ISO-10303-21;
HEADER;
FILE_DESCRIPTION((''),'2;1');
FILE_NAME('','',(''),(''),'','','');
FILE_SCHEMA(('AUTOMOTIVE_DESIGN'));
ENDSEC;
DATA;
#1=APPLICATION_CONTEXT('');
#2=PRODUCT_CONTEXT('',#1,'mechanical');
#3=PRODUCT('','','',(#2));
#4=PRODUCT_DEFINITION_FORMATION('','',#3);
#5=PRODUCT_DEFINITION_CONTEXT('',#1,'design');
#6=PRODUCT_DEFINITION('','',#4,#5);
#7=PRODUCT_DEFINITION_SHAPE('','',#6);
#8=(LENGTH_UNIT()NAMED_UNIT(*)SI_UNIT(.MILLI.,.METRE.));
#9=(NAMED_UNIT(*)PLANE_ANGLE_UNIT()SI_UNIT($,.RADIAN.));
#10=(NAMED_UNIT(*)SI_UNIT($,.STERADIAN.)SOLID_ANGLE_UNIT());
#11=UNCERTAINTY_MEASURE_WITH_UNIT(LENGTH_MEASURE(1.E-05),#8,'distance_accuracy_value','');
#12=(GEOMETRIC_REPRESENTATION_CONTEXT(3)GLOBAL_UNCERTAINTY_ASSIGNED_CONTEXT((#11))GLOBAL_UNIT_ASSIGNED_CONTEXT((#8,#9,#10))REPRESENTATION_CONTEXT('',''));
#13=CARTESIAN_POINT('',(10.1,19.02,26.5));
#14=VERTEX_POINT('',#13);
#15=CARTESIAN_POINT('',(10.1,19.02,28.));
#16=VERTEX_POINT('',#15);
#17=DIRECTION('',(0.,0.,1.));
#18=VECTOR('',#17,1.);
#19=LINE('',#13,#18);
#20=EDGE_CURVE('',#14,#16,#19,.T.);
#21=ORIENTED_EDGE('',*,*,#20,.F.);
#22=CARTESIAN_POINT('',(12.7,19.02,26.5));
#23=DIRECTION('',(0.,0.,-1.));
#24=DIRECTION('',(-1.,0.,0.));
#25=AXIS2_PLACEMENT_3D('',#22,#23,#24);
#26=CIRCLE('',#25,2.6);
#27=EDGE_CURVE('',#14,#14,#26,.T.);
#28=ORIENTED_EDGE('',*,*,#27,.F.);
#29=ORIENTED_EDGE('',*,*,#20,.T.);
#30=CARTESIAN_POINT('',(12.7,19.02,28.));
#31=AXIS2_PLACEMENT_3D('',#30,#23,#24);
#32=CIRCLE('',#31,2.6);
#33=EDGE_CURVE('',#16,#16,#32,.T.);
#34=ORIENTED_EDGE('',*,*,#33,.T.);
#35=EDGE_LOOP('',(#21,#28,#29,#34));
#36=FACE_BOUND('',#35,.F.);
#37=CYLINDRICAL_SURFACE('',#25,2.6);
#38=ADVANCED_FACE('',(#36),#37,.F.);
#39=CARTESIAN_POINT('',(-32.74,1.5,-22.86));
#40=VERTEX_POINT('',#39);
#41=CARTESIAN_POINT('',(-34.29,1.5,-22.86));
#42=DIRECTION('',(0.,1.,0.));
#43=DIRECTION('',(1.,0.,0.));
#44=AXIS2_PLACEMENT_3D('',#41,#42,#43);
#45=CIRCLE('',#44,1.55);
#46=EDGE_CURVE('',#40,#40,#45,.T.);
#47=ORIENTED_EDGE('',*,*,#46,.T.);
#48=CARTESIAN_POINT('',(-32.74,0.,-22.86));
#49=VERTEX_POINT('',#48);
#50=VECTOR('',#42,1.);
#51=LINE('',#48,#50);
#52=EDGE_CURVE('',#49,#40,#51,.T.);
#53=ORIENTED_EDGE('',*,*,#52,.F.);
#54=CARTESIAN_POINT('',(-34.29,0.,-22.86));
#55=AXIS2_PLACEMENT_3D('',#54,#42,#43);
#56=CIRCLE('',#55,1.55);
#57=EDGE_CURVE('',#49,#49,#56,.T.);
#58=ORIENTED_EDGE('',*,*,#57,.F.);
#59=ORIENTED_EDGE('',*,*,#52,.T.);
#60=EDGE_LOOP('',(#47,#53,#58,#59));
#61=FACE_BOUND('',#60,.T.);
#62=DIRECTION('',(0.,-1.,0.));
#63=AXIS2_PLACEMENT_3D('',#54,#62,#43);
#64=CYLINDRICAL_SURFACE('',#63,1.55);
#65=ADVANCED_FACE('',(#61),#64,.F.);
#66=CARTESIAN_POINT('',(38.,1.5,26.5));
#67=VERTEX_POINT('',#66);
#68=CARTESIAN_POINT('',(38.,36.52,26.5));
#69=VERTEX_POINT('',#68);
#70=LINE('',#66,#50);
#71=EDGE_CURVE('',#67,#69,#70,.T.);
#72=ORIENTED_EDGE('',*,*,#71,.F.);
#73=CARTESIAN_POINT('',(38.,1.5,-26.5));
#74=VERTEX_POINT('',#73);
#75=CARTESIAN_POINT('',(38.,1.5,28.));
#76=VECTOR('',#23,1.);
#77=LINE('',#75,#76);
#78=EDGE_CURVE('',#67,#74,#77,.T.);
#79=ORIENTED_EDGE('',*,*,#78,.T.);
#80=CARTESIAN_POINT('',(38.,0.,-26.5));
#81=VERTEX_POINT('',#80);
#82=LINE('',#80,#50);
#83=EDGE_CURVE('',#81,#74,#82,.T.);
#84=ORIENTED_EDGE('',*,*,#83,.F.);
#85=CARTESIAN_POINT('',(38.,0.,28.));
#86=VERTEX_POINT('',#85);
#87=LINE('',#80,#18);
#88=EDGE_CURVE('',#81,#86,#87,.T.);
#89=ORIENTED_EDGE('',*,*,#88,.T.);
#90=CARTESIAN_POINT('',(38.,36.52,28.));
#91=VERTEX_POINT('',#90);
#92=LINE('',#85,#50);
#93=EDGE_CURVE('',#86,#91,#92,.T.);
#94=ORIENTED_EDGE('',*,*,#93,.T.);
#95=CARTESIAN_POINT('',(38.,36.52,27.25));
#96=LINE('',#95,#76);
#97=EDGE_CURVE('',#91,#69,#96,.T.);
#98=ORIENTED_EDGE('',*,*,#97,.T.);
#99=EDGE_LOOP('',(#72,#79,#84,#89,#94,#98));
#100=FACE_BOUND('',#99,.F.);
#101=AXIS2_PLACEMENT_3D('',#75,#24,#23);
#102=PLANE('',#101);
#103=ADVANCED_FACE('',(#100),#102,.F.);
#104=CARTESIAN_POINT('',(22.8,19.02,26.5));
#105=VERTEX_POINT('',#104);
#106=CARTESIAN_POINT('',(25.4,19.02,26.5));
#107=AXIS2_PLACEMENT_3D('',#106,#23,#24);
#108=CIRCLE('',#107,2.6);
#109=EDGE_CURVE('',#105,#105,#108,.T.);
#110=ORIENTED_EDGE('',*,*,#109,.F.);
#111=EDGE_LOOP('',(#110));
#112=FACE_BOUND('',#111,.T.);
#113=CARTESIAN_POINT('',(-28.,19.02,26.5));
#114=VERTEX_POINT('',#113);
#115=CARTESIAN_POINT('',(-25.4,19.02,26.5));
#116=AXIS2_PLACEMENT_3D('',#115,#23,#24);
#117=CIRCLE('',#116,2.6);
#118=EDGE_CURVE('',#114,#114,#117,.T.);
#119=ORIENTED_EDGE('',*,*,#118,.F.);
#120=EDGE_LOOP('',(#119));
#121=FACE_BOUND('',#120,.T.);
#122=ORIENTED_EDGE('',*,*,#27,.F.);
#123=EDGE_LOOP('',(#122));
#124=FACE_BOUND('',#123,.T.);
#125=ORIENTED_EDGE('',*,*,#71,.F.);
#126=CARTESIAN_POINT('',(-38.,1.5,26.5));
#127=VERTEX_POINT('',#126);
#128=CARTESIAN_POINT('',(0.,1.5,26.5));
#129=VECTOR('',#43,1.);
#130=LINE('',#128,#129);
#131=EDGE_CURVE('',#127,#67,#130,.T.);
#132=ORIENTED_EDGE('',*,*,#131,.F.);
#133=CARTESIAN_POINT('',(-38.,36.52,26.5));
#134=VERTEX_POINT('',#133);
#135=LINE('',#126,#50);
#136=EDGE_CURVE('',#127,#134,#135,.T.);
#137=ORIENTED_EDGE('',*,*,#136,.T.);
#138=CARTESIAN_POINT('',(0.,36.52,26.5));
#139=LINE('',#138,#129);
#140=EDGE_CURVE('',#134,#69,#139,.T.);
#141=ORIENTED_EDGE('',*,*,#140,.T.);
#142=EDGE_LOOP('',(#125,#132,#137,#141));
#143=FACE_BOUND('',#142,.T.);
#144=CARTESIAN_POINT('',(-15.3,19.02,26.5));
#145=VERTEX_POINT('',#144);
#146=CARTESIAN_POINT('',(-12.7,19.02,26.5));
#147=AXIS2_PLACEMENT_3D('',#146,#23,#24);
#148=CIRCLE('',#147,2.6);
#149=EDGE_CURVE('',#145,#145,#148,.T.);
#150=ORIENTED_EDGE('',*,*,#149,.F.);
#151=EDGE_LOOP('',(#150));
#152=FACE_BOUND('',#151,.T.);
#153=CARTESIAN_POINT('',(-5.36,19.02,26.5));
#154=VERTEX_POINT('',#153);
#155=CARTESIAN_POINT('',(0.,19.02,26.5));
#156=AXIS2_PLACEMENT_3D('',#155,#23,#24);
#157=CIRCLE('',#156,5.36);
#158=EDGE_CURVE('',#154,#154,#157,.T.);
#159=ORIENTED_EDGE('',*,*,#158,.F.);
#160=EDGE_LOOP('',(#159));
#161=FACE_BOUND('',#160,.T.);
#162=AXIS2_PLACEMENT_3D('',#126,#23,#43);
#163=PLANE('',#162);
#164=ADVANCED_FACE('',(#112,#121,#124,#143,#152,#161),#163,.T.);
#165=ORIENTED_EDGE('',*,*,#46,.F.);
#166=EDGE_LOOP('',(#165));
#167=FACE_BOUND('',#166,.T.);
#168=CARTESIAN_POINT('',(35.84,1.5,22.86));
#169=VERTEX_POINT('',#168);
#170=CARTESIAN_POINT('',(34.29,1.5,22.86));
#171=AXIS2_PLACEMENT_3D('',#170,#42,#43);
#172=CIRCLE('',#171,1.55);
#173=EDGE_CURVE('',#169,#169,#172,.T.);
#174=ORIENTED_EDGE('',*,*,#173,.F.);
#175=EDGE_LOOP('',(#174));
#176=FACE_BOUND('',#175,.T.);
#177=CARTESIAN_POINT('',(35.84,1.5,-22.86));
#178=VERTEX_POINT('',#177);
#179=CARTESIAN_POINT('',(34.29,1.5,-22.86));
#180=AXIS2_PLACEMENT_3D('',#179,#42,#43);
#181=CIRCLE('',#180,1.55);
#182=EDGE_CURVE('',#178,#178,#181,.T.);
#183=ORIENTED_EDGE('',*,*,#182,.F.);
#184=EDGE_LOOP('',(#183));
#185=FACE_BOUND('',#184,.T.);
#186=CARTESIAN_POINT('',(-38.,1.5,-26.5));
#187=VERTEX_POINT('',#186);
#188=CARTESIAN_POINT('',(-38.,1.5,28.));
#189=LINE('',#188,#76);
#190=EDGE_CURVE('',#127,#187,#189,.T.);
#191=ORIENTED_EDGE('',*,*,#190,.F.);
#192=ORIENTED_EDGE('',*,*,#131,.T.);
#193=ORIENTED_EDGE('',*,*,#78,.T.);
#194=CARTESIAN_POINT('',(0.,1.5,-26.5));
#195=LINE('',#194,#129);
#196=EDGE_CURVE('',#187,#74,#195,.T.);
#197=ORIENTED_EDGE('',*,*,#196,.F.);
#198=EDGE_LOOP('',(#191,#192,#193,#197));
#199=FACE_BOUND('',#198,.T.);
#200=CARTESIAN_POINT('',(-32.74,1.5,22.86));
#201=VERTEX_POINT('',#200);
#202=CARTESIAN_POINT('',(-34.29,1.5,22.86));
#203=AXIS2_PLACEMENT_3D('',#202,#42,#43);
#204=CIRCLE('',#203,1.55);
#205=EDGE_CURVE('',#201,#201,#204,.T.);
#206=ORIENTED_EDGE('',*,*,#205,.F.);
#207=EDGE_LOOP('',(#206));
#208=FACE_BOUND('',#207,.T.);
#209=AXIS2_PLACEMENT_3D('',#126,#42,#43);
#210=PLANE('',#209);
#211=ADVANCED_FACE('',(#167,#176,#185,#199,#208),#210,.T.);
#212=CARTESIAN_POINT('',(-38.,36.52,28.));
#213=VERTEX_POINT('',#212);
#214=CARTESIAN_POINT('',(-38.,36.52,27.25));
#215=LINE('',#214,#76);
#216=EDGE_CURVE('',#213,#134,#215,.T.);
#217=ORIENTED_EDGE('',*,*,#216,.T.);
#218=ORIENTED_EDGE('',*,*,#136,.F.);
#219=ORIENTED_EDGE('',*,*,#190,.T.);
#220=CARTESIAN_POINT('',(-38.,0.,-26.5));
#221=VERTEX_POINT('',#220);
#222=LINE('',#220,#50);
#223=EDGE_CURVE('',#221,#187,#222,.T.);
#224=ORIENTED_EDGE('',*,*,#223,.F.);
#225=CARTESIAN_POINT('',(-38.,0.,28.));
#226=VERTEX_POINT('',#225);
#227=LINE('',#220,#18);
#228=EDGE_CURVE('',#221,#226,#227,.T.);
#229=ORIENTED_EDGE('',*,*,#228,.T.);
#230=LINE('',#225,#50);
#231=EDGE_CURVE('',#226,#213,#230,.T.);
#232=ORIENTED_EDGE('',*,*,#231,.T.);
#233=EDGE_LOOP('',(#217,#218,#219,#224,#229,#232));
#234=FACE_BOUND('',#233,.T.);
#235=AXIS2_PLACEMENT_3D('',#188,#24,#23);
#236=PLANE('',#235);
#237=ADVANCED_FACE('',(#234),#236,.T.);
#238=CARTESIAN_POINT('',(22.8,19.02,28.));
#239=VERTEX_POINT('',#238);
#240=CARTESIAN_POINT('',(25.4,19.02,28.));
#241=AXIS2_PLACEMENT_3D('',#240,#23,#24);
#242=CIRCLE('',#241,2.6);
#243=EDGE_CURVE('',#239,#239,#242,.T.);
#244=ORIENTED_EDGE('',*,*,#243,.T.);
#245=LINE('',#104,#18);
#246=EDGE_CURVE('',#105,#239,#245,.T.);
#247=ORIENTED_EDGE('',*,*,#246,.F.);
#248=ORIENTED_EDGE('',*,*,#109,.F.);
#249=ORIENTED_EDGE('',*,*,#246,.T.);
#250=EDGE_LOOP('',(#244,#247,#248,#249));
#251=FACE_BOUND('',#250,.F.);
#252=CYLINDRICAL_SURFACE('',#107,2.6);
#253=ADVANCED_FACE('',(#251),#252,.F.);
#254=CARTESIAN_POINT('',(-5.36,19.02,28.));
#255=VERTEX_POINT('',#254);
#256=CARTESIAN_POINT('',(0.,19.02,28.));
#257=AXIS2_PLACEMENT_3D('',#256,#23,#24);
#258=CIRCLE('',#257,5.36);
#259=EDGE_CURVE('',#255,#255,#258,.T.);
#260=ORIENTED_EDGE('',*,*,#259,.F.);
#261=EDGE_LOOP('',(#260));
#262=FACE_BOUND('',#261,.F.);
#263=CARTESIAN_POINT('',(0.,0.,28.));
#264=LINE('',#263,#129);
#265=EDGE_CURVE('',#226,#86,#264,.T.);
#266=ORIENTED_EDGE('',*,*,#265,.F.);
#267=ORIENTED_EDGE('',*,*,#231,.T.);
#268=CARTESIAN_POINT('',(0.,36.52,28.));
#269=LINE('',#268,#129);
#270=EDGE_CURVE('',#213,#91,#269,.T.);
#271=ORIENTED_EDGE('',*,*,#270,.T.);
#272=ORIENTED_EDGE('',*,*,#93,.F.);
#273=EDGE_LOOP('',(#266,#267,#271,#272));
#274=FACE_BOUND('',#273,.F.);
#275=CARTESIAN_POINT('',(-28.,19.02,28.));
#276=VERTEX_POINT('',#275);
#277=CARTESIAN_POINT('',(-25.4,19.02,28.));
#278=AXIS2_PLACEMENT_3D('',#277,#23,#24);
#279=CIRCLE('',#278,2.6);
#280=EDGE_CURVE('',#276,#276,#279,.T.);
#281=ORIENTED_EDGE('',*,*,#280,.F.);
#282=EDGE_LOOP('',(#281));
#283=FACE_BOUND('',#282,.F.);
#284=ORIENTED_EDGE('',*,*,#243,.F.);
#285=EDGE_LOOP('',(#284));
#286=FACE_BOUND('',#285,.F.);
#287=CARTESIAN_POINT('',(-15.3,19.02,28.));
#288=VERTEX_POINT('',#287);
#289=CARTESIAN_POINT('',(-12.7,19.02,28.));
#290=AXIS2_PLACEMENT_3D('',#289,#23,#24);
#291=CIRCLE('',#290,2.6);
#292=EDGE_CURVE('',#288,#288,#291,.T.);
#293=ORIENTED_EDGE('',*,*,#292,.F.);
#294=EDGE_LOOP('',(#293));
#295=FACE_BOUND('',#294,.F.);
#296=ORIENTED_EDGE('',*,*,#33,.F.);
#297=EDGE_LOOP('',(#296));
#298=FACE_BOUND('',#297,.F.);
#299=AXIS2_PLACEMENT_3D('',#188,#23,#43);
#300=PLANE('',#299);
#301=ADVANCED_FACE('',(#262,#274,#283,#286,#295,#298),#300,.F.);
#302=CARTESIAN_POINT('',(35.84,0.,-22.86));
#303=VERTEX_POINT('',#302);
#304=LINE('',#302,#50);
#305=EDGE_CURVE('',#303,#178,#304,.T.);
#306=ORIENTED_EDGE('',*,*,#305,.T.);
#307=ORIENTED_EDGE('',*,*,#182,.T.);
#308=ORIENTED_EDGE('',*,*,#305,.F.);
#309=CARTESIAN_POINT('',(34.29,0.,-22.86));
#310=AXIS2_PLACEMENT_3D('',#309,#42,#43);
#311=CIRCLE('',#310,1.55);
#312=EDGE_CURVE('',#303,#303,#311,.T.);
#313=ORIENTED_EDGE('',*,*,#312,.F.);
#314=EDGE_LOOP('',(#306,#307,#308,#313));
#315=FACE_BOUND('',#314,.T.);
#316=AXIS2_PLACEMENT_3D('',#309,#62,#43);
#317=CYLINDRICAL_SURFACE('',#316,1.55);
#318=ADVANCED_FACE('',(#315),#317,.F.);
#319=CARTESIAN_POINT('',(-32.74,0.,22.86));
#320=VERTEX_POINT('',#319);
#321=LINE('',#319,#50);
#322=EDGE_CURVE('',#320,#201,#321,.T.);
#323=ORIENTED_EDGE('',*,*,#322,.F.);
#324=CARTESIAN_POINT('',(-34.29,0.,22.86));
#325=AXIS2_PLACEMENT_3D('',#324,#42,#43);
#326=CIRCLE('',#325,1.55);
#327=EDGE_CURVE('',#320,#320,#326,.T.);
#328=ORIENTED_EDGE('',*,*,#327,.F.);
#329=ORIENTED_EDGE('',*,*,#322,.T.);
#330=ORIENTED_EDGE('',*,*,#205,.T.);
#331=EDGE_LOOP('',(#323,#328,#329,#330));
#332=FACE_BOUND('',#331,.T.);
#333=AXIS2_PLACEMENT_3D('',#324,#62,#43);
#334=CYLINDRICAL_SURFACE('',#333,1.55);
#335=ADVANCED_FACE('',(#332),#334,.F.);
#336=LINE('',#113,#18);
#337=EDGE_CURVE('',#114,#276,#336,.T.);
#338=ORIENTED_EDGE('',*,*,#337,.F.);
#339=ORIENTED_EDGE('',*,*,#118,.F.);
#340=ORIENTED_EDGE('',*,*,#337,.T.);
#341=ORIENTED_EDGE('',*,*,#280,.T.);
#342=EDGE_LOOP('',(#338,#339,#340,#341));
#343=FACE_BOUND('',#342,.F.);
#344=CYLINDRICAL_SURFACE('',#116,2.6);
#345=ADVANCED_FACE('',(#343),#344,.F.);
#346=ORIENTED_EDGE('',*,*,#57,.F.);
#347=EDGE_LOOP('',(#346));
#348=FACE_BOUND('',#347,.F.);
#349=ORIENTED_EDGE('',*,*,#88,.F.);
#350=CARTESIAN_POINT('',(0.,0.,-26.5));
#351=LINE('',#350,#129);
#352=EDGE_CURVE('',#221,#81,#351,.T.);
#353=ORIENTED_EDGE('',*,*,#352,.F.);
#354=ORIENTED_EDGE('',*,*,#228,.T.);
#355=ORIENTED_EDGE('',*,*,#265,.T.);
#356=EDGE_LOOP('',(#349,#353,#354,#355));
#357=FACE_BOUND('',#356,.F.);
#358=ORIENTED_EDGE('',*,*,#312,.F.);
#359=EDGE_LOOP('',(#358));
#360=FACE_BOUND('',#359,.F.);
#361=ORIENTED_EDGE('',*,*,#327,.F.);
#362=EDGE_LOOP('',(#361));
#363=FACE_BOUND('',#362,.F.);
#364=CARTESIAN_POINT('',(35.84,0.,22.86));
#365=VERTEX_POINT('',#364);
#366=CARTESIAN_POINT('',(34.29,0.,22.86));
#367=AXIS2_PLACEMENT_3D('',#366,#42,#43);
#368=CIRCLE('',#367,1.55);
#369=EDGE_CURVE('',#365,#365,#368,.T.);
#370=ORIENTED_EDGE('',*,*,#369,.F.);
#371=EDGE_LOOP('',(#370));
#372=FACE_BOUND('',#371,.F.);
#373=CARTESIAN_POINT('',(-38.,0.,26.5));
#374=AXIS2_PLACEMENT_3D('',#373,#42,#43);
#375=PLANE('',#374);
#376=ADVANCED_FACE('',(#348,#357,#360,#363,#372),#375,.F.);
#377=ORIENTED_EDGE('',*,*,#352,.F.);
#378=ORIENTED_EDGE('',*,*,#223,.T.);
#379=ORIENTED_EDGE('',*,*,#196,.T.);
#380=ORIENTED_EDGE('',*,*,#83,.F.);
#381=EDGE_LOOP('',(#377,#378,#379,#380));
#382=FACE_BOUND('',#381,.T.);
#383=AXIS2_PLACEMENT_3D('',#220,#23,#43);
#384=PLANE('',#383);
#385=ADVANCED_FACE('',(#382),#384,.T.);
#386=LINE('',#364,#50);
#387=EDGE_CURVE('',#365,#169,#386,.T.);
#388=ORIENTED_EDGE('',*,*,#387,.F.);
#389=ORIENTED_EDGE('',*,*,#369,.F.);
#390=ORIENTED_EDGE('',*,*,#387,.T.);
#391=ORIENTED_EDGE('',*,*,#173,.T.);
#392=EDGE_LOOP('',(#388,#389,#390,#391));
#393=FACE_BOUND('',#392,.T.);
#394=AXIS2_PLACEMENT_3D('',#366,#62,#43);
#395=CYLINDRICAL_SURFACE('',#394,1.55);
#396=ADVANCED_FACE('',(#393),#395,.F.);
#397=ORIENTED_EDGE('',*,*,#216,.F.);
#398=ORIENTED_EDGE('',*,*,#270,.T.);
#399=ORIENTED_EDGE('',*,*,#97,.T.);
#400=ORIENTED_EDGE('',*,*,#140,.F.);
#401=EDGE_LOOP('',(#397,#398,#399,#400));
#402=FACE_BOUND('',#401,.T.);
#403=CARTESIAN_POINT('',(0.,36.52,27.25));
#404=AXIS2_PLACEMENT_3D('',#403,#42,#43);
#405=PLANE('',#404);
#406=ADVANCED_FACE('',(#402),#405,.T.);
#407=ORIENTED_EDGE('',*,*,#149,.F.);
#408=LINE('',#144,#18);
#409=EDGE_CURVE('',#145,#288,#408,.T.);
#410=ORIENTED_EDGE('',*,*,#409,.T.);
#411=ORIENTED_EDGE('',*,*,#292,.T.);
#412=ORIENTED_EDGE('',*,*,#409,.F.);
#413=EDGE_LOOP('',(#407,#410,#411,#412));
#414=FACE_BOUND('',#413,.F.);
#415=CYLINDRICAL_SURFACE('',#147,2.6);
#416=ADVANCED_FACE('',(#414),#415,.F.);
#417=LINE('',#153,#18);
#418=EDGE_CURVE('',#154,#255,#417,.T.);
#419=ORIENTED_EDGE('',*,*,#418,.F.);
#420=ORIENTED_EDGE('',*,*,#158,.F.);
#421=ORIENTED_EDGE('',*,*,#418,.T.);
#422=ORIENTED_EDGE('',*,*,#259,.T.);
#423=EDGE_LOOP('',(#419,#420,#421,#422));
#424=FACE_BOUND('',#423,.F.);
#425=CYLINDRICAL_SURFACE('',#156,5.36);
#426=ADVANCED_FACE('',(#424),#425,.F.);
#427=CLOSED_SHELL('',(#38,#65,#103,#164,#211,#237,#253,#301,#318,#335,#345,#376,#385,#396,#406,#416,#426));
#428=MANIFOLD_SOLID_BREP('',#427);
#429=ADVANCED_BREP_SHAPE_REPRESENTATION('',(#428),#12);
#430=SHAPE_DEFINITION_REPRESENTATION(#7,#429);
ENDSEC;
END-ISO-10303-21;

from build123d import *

# Parameters (mm, degrees)
SKETCH_1_W          = 76
SKETCH_1_H          = 53
SKETCH_1_R          = 1.55
EXTRUDE_1_DEPTH     = 1.5
SKETCH_2_W          = 76
SKETCH_2_H          = 1.5
EXTRUDE_2_DEPTH     = 1.5
SKETCH_3_W          = 76
SKETCH_3_H          = 1.5
EXTRUDE_3_DEPTH     = 35.02
SKETCH_4_R          = 5.36
SKETCH_4_R_2        = 2.600000007
CUT_EXTRUDE_1_DEPTH = 60


with BuildPart() as part:
    # 草图1 → 凸台-拉伸1 (new body)
    with BuildSketch(Plane(origin=(0, 0, 0), x_dir=(1, 0, 0), z_dir=(0, 1, 0))):
        Rectangle(SKETCH_1_W, SKETCH_1_H)
        with Locations((-34.29, 22.86)):
            Circle(SKETCH_1_R, mode=Mode.SUBTRACT)
        with Locations((-34.29, -22.86)):
            Circle(SKETCH_1_R, mode=Mode.SUBTRACT)
        with Locations((34.29, -22.86)):
            Circle(SKETCH_1_R, mode=Mode.SUBTRACT)
        with Locations((34.29, 22.86)):
            Circle(SKETCH_1_R, mode=Mode.SUBTRACT)
    extrude(amount=EXTRUDE_1_DEPTH)

    # 草图2 → 凸台-拉伸2 (add)
    with BuildSketch(Plane.XY.offset(26.5)):
        with Locations((0, 0.75)):
            Rectangle(SKETCH_2_W, SKETCH_2_H)
    extrude(amount=EXTRUDE_2_DEPTH)

    # 草图3 → 凸台-拉伸3 (add)
    with BuildSketch(Plane(origin=(0, 1.5, 0), x_dir=(1, 0, 0), z_dir=(0, 1, 0))):
        with Locations((0, -27.25)):
            Rectangle(SKETCH_3_W, SKETCH_3_H)
    extrude(amount=EXTRUDE_3_DEPTH)

    # 草图4 → 切除-拉伸1 (cut)
    with BuildSketch(Plane(origin=(0, 0, 26.5), x_dir=(-1, 0, 0), z_dir=(0, 0, -1))):
        with Locations((0, 19.02)):
            Circle(SKETCH_4_R)
        with Locations((-12.7, 19.02)):
            Circle(SKETCH_4_R_2)
        with Locations((-25.4, 19.02)):
            Circle(SKETCH_4_R_2)
        with Locations((12.7, 19.02)):
            Circle(SKETCH_4_R_2)
        with Locations((25.4, 19.02)):
            Circle(SKETCH_4_R_2)
    extrude(amount=-CUT_EXTRUDE_1_DEPTH, mode=Mode.SUBTRACT)


solid = part.part
